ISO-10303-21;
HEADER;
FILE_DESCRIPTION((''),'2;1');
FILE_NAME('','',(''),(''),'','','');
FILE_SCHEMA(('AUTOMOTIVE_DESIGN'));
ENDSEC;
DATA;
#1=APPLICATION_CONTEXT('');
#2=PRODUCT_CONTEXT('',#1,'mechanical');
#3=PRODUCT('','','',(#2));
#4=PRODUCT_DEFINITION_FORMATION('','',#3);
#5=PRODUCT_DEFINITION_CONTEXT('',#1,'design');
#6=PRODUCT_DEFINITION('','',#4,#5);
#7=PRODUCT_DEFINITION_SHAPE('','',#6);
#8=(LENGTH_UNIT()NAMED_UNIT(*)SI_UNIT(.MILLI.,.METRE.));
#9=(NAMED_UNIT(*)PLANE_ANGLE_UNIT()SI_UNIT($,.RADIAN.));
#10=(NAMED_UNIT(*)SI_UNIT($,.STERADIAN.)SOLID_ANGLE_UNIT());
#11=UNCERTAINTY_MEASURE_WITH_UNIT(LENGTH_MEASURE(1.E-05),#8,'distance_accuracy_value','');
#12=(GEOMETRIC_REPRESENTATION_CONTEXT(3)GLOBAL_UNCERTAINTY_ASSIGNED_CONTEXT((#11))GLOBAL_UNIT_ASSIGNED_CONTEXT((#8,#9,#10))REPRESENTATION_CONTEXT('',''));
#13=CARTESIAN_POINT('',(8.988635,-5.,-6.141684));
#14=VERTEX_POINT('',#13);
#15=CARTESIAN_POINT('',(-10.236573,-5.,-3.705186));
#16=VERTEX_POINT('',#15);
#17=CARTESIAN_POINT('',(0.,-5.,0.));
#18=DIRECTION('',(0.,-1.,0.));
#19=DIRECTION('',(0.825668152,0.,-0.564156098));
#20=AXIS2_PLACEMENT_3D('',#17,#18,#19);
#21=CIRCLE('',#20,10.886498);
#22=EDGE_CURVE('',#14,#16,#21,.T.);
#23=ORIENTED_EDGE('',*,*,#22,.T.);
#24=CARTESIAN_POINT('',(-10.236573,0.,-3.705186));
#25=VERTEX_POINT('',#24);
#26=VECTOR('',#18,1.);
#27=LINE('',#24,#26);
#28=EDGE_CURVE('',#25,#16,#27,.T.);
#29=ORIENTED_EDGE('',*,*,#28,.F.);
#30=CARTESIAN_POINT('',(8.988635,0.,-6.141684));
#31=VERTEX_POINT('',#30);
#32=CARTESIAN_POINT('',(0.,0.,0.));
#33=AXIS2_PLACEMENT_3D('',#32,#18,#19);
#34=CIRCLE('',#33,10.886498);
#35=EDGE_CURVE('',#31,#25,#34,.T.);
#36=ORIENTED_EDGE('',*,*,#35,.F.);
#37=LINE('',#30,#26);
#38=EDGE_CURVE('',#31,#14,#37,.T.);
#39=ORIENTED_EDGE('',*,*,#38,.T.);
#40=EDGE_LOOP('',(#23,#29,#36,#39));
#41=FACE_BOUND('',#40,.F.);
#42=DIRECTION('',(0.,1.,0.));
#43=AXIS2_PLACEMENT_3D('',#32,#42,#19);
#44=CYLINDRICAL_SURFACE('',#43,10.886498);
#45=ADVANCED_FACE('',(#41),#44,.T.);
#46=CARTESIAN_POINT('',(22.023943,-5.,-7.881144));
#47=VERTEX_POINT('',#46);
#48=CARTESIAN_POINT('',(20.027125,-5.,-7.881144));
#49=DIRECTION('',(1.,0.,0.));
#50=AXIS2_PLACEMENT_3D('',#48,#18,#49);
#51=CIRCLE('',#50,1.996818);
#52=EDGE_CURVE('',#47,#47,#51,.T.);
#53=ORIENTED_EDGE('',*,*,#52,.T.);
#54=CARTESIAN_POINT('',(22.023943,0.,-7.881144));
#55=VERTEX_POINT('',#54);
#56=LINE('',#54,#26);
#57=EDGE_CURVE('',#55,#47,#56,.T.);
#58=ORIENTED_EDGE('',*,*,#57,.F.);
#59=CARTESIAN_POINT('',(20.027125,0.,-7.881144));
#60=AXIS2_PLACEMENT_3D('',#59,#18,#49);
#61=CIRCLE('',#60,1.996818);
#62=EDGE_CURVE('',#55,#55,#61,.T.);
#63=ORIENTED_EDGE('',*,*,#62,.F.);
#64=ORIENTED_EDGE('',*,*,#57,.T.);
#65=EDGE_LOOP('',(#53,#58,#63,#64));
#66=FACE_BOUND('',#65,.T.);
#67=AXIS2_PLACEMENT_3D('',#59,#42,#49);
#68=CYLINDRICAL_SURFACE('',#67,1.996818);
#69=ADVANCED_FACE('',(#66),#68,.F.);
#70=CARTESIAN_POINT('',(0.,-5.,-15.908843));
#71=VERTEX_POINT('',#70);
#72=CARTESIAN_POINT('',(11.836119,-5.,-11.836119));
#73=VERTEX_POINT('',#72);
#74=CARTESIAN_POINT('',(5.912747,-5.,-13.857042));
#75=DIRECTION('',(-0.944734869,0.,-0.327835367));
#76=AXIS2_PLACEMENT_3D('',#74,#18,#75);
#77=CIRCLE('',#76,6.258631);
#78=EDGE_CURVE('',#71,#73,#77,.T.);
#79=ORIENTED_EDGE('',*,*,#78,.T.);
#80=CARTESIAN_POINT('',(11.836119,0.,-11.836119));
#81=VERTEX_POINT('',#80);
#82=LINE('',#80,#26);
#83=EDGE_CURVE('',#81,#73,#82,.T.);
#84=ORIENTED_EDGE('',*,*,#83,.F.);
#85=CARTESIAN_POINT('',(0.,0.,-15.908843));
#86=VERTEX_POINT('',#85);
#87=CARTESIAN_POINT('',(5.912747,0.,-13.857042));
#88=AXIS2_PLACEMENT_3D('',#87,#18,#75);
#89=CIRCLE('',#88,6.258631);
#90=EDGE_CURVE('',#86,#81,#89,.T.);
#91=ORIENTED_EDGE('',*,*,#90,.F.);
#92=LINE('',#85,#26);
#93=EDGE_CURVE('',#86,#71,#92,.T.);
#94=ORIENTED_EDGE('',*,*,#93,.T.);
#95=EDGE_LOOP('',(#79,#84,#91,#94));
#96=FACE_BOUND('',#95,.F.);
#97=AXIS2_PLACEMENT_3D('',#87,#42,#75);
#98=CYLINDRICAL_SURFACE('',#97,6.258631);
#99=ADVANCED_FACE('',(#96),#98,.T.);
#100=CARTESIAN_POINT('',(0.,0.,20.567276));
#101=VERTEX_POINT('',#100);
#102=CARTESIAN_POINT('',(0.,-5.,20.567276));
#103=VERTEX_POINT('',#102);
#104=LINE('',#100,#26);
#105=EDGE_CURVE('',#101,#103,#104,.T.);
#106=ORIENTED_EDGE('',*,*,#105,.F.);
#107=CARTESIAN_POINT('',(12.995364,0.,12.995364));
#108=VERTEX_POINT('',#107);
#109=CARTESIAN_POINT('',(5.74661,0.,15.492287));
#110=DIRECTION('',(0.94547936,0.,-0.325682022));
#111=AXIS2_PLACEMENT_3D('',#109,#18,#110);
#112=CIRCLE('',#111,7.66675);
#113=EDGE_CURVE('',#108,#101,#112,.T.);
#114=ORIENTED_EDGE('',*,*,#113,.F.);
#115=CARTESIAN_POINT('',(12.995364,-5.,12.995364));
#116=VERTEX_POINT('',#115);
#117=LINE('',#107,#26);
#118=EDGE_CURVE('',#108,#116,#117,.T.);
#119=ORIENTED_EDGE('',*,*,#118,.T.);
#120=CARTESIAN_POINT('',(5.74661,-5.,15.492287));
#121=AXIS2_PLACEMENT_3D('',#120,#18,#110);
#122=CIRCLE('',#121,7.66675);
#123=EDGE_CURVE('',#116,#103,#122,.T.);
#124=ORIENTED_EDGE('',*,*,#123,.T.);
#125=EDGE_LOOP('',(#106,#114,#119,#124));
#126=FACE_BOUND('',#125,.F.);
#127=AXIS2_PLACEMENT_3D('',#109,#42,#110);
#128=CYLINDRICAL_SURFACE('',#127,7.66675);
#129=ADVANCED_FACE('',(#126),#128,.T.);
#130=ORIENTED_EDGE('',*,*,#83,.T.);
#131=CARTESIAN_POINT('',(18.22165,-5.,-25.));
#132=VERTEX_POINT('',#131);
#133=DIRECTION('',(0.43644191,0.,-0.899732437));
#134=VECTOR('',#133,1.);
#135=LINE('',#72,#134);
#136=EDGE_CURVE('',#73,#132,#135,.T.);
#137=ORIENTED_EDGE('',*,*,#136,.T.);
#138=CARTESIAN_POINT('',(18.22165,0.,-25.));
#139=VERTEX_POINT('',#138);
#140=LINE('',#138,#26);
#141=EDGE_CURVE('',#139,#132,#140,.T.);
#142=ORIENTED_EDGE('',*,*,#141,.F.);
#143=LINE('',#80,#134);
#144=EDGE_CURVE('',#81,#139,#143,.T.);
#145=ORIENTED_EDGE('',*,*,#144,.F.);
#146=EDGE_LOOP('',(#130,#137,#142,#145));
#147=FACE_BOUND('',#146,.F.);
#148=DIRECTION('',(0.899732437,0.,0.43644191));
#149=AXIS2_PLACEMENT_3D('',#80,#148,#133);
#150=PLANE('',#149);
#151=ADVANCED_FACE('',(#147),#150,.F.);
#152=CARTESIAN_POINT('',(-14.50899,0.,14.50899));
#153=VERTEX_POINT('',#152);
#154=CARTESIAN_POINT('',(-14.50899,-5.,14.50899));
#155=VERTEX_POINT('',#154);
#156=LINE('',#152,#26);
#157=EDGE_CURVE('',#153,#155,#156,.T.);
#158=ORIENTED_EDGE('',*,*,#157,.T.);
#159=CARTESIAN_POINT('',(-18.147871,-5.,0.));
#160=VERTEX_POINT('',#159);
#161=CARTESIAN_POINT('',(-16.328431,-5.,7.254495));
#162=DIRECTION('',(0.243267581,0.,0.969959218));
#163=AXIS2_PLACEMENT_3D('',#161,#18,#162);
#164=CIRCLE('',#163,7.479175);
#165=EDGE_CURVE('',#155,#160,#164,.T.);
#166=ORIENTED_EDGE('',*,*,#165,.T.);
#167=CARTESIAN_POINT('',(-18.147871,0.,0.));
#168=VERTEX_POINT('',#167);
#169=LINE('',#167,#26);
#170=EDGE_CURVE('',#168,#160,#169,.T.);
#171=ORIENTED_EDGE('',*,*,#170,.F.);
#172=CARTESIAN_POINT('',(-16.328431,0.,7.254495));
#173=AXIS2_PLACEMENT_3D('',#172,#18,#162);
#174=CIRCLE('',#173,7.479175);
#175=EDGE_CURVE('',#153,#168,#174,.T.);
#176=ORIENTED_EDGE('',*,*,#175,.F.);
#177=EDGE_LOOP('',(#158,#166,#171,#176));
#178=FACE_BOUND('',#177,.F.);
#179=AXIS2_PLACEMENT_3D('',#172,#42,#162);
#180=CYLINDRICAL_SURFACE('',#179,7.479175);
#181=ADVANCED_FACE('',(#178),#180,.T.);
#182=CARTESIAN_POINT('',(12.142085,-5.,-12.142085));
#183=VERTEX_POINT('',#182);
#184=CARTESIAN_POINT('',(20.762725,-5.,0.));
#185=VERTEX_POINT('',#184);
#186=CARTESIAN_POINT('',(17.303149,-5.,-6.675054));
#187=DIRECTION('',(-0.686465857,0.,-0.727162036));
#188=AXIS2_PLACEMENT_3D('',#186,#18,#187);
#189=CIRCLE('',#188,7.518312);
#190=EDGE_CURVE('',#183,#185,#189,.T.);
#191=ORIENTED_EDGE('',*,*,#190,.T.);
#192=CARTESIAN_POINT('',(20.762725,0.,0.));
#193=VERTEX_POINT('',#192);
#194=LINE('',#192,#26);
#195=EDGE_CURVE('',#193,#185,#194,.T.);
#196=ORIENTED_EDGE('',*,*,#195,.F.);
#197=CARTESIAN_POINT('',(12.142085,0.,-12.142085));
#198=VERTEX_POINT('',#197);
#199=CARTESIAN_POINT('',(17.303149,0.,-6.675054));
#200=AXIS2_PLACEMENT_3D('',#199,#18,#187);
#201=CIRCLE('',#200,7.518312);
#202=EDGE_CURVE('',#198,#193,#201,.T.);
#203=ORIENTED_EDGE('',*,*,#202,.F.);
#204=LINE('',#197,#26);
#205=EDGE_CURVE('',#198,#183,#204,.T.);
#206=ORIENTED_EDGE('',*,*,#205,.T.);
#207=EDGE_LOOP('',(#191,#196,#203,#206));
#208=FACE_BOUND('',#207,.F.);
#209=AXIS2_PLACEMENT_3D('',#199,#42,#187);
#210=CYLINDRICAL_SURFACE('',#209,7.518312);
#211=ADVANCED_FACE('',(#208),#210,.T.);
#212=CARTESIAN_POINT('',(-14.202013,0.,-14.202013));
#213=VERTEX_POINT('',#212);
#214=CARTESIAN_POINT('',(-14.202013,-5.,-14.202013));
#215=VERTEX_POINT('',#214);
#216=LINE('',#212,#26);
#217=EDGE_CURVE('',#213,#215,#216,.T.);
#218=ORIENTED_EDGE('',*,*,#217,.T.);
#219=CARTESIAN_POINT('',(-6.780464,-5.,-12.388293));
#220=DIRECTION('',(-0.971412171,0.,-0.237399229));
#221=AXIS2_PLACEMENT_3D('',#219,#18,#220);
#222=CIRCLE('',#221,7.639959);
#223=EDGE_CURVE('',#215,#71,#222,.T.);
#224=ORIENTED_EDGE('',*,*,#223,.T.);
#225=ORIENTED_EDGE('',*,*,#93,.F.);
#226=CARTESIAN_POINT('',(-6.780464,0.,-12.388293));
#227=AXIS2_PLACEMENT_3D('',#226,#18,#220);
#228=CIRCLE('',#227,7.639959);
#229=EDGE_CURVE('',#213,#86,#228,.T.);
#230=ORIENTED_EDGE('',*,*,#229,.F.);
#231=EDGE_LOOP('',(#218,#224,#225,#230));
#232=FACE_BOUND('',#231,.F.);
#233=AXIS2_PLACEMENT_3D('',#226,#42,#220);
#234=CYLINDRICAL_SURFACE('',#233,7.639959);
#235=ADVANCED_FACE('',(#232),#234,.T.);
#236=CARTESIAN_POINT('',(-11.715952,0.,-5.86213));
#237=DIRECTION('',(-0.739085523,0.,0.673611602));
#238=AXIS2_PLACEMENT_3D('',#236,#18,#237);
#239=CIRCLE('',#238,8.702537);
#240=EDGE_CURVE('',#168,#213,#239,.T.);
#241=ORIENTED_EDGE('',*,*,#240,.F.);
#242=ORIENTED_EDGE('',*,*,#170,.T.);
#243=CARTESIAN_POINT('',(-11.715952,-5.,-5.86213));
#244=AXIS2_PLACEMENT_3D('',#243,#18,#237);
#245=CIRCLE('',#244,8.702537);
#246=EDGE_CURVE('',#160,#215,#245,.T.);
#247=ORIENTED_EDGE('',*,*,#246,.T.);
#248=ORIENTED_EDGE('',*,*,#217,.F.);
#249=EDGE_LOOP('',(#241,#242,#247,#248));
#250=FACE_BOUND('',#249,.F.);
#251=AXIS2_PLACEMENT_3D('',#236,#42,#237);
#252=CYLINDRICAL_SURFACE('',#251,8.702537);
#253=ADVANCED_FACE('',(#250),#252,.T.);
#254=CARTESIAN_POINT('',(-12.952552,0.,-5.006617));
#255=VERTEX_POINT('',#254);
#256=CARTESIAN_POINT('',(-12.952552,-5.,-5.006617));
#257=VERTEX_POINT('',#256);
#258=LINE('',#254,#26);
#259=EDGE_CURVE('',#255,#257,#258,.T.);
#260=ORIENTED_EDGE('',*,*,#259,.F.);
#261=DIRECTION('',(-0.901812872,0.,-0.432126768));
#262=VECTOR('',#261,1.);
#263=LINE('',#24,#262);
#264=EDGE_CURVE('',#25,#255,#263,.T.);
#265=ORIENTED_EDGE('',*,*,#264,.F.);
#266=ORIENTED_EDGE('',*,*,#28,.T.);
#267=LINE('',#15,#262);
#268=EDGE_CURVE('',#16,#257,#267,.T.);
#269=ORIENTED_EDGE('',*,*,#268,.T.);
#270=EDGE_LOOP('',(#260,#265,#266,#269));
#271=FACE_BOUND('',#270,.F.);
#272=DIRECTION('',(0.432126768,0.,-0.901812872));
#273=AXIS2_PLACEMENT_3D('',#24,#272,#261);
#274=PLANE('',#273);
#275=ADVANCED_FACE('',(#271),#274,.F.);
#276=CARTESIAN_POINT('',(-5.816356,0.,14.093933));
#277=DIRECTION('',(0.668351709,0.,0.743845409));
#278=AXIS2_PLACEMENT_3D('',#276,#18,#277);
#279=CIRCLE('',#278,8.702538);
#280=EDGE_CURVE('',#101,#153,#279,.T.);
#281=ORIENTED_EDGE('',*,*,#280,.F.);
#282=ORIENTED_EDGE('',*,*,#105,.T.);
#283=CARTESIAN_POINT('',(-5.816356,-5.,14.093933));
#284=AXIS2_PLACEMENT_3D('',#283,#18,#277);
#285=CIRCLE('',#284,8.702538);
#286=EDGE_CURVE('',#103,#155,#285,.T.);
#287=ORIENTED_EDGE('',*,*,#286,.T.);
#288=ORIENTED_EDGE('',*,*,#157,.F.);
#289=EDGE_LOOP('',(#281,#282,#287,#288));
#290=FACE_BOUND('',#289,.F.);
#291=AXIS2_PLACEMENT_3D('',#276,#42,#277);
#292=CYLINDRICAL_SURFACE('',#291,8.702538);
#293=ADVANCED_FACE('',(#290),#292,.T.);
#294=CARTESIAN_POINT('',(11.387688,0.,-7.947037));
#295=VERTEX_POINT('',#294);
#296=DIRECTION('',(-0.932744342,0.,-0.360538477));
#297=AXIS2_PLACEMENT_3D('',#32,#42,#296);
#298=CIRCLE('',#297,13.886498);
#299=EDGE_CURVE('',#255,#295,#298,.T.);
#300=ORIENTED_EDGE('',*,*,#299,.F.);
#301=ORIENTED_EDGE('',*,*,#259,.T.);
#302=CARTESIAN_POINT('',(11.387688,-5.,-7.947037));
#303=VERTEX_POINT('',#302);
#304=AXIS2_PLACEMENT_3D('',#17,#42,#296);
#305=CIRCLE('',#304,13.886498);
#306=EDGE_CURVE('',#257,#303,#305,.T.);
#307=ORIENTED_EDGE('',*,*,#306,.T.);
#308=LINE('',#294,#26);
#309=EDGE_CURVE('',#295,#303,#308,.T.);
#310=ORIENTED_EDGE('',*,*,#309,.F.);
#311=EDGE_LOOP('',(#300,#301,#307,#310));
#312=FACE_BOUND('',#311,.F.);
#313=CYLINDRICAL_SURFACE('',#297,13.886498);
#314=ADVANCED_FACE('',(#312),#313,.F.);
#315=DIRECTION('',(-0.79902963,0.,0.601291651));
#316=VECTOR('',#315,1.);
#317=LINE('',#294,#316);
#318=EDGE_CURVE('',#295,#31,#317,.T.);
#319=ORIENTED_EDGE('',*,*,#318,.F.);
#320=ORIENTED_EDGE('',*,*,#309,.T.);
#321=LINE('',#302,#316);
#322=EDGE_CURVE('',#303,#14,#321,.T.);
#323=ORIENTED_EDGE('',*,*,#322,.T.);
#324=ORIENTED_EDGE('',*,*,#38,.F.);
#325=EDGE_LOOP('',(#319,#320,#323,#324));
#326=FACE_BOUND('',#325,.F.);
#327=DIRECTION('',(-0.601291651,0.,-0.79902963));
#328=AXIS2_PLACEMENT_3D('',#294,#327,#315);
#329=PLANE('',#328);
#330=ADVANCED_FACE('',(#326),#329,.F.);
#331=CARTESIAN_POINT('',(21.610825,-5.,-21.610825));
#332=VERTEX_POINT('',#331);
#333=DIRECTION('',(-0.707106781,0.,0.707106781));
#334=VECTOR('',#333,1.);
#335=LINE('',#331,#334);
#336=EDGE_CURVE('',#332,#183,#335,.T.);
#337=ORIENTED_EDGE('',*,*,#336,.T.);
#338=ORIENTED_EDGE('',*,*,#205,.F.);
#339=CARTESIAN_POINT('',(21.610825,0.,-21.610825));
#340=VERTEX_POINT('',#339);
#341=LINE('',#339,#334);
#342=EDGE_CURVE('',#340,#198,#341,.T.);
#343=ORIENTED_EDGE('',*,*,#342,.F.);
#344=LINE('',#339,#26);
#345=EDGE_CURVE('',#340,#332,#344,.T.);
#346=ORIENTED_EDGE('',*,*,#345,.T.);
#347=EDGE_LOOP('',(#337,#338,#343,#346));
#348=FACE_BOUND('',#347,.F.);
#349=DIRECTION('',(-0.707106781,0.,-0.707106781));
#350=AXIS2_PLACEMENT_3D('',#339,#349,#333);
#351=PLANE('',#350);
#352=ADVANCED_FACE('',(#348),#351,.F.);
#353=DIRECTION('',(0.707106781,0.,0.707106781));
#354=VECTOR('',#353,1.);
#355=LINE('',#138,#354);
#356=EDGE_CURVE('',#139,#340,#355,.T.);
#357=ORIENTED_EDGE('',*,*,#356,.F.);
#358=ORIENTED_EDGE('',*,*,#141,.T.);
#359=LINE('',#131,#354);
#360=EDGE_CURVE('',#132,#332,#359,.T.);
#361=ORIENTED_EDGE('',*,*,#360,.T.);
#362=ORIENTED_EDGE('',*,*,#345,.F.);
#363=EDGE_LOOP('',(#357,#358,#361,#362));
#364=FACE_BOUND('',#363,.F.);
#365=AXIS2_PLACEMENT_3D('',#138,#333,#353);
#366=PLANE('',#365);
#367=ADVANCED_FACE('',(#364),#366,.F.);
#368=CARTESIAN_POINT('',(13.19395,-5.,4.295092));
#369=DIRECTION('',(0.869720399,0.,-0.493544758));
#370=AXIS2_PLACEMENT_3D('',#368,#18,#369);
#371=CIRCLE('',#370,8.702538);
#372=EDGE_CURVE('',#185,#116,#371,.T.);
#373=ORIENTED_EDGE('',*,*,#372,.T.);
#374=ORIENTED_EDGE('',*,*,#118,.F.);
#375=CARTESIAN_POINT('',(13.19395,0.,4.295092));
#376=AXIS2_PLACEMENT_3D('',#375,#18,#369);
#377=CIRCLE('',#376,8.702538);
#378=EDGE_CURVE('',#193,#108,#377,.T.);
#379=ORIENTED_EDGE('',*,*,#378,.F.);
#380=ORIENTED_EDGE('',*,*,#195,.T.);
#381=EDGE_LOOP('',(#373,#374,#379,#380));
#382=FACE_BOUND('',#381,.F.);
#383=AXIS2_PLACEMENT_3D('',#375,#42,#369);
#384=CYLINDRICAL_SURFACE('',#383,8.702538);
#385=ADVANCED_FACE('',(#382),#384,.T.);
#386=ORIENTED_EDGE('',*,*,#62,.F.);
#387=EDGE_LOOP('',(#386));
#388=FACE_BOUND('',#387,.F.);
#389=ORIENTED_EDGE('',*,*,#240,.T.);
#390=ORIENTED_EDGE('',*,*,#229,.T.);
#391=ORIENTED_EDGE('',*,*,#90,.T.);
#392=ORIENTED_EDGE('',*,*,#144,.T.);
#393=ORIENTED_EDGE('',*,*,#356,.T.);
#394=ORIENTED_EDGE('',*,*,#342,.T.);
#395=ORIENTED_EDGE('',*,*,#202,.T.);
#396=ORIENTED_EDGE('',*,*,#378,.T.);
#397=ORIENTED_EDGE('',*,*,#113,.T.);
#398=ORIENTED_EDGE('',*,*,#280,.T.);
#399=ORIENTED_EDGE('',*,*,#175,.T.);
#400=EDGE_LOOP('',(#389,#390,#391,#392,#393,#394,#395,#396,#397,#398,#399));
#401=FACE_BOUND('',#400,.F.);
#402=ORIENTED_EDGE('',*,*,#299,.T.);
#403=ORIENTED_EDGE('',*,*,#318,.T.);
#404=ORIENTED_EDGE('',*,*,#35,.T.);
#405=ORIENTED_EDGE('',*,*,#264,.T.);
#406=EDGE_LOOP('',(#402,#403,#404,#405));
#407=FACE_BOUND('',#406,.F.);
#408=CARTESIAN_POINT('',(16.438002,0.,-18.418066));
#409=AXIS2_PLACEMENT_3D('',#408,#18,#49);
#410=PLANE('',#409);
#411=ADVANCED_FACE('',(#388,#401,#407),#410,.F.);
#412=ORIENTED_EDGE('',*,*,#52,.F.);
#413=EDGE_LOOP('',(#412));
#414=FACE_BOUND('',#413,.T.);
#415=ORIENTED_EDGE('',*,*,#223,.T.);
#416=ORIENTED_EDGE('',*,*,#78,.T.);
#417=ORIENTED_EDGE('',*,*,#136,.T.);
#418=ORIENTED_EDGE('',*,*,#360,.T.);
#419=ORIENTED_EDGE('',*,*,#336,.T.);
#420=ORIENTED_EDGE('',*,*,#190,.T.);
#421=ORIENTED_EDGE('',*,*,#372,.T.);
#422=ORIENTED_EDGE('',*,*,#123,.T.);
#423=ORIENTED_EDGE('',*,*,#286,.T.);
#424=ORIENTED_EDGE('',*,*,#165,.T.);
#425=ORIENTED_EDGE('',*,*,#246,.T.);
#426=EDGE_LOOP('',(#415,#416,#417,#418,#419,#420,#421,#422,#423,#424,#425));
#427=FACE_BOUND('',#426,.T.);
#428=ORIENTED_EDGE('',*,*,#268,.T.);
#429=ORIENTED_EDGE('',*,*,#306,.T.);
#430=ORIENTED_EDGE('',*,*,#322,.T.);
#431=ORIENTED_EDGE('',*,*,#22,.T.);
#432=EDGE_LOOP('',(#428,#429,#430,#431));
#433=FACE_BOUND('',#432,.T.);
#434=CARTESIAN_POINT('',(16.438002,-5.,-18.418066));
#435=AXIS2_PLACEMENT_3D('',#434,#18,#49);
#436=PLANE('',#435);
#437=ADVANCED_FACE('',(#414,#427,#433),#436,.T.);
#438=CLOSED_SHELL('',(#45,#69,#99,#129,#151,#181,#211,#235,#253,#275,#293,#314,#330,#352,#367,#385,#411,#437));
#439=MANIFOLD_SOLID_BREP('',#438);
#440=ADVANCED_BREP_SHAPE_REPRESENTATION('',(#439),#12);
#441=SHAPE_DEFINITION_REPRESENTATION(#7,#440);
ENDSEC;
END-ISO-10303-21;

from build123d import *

# Parameters (mm, degrees)
F0_R     = 1.996818
F1_DEPTH = 5


with BuildPart() as f1:
    # F0 (on Front) → F1 (new body)
    with BuildSketch(Plane.XZ):
        with BuildLine():
            Line((21.610825, -21.610825), (12.142085, -12.142085))
            ThreePointArc((12.142085, -12.142085), (11.9869, -11.991304), (11.836119, -11.836119))
            Line((11.836119, -11.836119), (18.22165, -25))
            Line((18.22165, -25), (21.610825, -21.610825))
        make_face()
        with BuildLine():
            ThreePointArc((12.995364, 12.995364), (9.606348, 22.116596), (0, 20.567276))
            ThreePointArc((0, 20.567276), (-9.169556, 22.124513), (-14.50899, 14.50899))
            ThreePointArc((-14.50899, 14.50899), (-23.582926, 9.073935), (-18.147871, 0))
            ThreePointArc((-18.147871, 0), (-20.100872, -8.191779), (-14.202013, -14.202013))
            ThreePointArc((-14.202013, -14.202013), (-7.692092, -19.973667), (0, -15.908843))
            ThreePointArc((0, -15.908843), (7.949116, -19.775122), (11.836119, -11.836119))
            Line((11.836119, -11.836119), (12.142085, -12.142085))
            ThreePointArc((12.142085, -12.142085), (23.43351, -11.027489), (20.762725, 0))
            ThreePointArc((20.762725, 0), (20.663876, 8.759885), (12.995364, 12.995364))
        make_face()
        with Locations((20.027125, -7.881144)):
            Circle(F0_R, mode=Mode.SUBTRACT)
        with BuildLine():
            Line((11.387688, -7.947037), (8.988635, -6.141684))
            ThreePointArc((8.988635, -6.141684), (1.368747, 10.80011), (-10.236573, -3.705186))
            Line((-10.236573, -3.705186), (-12.952552, -5.006617))
            ThreePointArc((-12.952552, -5.006617), (1.665448, 13.786265), (11.387688, -7.947037))
        make_face(mode=Mode.SUBTRACT)
        with BuildLine():
            ThreePointArc((11.836119, -11.836119), (11.9869, -11.991304), (12.142085, -12.142085))
            Line((12.142085, -12.142085), (11.836119, -11.836119))
        make_face()
    extrude(amount=F1_DEPTH)


solid = f1.part
